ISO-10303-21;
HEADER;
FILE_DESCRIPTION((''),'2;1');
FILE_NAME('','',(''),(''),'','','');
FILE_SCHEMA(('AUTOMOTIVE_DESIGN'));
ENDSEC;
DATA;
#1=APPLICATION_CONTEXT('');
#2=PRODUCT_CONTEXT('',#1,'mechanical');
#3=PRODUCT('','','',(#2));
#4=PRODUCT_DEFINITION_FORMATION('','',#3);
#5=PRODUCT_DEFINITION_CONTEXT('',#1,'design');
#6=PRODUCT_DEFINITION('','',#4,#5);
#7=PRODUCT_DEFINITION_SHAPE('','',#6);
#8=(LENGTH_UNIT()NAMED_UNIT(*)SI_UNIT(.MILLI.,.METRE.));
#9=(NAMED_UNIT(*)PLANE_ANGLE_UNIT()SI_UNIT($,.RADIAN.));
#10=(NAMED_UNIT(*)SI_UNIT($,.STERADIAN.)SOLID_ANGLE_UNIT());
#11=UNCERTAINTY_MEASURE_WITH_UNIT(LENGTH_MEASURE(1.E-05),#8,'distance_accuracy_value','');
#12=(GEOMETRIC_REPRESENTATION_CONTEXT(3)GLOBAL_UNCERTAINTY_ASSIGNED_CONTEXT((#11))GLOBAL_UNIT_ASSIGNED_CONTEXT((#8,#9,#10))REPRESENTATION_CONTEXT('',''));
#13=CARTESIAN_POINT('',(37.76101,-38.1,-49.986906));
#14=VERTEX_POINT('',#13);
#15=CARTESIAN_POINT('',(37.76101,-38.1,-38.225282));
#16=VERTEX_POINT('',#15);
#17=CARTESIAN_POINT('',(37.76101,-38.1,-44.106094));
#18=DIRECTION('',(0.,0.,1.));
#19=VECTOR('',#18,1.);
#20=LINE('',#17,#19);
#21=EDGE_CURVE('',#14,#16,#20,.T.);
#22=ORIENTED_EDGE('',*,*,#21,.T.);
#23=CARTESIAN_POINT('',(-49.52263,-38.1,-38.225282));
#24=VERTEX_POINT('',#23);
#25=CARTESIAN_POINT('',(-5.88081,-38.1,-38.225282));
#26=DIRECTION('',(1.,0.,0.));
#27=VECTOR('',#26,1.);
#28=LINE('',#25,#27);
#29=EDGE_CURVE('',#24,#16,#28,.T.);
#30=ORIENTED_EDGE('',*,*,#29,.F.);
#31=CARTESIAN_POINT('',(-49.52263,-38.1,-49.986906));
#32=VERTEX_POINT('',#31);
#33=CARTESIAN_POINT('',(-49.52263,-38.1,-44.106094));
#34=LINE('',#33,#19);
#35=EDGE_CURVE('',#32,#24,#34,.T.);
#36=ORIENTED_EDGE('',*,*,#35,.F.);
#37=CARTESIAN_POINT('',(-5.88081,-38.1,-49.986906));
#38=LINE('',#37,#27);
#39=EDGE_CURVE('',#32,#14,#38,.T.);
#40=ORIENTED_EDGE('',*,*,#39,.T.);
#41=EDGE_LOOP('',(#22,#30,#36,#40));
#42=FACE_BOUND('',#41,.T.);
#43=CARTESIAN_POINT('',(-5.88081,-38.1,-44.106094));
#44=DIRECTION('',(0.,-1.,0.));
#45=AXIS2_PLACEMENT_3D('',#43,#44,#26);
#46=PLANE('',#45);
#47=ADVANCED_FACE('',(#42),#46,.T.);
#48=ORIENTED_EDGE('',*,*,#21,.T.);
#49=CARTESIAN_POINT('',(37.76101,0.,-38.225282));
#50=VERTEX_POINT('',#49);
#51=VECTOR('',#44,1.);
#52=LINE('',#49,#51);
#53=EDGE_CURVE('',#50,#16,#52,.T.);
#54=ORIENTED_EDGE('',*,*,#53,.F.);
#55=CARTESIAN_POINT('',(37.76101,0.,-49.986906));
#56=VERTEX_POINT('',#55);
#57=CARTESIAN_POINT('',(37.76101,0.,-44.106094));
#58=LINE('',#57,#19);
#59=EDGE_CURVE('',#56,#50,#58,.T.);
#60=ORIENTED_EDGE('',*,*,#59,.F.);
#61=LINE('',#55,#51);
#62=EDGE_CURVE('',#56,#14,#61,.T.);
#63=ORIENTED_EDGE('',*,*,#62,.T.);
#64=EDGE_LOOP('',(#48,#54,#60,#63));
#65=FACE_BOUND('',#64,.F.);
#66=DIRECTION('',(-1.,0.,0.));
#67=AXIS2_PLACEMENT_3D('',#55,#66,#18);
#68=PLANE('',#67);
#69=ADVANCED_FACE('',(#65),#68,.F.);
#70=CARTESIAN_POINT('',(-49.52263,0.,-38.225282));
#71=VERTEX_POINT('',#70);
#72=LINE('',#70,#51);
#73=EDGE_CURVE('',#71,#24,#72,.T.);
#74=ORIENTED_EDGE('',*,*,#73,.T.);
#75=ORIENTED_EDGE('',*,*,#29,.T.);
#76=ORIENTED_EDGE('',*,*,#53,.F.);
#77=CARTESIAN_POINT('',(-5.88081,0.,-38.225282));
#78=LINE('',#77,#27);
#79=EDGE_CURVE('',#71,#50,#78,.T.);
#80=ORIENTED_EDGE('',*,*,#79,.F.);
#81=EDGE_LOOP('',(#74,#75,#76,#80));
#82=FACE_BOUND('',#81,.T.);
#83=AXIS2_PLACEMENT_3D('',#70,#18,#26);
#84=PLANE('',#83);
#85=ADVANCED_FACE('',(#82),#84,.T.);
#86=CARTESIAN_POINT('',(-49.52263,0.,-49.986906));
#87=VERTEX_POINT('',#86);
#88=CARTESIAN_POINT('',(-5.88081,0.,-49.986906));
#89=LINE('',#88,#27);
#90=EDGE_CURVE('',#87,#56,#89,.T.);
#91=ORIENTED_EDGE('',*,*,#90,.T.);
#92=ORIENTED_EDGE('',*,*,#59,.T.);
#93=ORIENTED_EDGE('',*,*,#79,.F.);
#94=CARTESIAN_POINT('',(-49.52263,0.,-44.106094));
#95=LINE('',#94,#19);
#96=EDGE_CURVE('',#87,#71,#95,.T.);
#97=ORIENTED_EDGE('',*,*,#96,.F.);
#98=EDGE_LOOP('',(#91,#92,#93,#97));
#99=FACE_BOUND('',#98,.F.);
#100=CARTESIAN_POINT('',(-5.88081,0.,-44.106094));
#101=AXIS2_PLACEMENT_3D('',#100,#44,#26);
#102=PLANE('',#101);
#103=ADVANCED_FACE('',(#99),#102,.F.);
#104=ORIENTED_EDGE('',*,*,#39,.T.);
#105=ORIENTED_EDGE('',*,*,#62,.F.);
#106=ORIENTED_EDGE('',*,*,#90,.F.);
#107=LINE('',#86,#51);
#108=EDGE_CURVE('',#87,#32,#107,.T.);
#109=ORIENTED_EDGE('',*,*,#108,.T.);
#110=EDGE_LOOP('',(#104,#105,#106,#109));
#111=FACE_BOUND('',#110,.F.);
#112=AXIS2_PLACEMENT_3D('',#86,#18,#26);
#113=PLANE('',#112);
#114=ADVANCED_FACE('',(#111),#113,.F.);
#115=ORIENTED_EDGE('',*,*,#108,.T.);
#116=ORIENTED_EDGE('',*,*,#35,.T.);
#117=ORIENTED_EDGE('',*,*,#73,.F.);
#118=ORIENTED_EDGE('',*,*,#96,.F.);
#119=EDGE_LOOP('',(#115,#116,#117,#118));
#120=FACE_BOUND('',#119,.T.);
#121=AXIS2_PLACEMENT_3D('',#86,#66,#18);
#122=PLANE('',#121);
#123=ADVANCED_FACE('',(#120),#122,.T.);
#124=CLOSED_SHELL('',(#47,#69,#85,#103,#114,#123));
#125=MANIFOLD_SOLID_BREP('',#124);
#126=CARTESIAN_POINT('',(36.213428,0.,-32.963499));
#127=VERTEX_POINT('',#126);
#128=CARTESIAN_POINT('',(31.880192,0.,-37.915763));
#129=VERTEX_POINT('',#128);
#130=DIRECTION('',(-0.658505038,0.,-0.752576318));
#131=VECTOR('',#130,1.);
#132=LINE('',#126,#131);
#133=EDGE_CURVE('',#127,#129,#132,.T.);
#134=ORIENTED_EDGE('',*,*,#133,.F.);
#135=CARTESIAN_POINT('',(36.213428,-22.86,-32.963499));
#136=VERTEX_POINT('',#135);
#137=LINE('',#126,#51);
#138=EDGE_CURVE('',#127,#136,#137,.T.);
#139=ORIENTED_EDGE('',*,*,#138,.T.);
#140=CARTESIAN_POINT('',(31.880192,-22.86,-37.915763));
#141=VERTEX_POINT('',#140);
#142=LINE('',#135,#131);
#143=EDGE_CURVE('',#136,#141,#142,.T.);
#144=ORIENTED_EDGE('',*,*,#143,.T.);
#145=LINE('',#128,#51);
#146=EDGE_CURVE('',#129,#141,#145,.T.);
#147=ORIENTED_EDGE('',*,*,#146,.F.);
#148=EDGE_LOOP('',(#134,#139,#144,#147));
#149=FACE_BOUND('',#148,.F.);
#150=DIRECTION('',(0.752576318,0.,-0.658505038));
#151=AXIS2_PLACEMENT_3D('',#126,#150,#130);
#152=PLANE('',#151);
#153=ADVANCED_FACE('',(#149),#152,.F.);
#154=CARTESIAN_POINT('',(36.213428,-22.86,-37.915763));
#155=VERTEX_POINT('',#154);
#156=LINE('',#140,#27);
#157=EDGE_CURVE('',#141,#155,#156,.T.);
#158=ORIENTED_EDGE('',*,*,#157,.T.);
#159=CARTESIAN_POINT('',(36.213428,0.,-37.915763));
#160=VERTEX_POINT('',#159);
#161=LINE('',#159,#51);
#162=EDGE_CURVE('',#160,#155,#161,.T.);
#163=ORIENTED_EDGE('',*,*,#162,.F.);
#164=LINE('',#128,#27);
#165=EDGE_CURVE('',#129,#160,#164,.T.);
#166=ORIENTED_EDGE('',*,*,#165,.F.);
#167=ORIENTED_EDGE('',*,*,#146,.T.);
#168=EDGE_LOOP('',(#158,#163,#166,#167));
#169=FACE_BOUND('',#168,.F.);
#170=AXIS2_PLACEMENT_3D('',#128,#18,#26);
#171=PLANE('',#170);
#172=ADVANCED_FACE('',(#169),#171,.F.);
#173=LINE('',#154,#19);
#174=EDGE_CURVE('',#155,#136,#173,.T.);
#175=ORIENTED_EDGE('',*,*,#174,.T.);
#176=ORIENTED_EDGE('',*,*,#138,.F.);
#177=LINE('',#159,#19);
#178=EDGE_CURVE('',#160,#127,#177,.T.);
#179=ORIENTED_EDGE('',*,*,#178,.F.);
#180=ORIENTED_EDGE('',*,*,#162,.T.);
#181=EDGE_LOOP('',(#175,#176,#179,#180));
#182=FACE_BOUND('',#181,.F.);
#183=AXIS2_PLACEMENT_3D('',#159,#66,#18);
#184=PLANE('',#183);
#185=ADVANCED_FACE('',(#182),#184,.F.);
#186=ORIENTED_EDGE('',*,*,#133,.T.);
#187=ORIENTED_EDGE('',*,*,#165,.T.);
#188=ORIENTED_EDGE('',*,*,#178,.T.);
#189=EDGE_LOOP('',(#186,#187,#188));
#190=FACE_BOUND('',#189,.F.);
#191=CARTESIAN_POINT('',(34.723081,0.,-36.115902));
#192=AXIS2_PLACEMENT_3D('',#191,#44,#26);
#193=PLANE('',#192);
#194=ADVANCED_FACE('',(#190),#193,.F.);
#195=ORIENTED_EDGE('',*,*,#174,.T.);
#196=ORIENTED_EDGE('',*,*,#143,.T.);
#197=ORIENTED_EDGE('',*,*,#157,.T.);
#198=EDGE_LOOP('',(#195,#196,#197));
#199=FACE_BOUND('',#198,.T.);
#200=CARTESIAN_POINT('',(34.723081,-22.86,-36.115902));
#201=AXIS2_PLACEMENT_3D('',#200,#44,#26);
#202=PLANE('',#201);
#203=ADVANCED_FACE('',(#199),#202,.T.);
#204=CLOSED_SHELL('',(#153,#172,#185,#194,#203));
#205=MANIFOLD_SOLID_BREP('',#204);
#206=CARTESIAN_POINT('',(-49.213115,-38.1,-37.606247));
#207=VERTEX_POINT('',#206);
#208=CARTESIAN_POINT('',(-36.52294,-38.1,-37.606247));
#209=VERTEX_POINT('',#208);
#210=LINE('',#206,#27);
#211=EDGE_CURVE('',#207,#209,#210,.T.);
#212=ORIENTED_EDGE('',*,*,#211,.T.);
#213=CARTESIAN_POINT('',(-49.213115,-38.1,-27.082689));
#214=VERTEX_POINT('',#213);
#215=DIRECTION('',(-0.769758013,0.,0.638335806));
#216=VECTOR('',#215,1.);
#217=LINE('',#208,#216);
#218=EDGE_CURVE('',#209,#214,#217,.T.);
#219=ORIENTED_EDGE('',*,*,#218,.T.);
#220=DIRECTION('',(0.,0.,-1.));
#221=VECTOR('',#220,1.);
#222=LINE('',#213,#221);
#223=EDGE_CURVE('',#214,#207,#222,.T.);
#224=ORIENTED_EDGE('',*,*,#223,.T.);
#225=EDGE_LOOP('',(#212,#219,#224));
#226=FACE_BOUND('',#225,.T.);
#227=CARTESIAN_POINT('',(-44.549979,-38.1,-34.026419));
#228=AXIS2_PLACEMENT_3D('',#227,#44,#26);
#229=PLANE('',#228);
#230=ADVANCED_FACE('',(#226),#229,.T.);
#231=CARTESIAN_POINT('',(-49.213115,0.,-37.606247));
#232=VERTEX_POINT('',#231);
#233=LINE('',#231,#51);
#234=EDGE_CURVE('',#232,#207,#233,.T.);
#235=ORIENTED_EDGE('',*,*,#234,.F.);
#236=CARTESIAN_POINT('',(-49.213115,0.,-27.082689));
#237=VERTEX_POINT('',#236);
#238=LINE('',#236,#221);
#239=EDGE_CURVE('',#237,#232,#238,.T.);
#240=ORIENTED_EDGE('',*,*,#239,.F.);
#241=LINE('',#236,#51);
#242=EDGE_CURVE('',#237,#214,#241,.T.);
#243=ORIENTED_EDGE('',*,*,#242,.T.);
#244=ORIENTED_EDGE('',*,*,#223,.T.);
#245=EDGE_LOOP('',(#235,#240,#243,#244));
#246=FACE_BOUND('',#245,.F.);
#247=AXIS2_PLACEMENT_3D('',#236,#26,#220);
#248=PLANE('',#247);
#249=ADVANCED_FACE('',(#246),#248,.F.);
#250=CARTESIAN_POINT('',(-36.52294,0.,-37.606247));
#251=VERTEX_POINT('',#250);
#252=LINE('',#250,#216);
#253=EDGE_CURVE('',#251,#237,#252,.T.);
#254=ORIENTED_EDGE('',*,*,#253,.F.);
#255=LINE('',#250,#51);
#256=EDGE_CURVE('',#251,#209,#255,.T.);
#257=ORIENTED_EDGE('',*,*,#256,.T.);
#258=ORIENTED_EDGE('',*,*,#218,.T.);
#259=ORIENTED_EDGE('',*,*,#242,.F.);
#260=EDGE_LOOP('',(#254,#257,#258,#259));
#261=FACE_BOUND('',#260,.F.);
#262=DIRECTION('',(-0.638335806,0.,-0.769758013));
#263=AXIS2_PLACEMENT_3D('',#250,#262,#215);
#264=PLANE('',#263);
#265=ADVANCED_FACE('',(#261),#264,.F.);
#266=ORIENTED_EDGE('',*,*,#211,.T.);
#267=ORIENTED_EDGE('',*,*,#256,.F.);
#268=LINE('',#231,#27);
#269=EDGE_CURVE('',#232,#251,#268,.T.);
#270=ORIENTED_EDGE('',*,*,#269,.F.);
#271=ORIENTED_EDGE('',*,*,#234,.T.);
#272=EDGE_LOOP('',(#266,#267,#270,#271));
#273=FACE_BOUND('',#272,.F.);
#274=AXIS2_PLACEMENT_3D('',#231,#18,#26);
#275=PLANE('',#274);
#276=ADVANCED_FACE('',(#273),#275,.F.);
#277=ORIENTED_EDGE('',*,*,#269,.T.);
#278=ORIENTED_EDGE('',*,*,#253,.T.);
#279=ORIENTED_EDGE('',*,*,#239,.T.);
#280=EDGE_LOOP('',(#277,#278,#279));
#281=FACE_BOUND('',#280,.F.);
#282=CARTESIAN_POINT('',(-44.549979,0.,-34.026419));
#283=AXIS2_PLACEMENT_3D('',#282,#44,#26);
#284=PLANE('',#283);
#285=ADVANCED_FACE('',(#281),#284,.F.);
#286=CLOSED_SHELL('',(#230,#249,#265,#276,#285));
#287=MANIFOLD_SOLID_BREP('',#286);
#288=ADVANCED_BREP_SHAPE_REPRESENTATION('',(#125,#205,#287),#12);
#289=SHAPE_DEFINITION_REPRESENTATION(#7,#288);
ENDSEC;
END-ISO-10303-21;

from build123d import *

# Parameters (mm, degrees)
F0_W     = 87.283641
F0_H     = 11.761624
F3_DEPTH = 38.1
F4_DEPTH = 38.1
F5_DEPTH = 22.86


with BuildPart() as f3:
    # F0 (on Front) → F3 (new body)
    with BuildSketch(Plane.XZ):
        with Locations((-5.88081, -44.106094)):
            Rectangle(F0_W, F0_H)
    extrude(amount=F3_DEPTH)


with BuildPart() as f4:
    # F1 (on Front) → F4 (new body)
    with BuildSketch(Plane.XZ):
        Polygon((-36.52294, -37.606247), (-49.213115, -27.082689), (-49.213115, -37.606247), align=None)
    extrude(amount=F4_DEPTH)


with BuildPart() as f5:
    # F2 (on Front) → F5 (new body)
    with BuildSketch(Plane.XZ):
        Polygon((36.213428, -32.963499), (31.880192, -37.915763), (36.213428, -37.915763), align=None)
    extrude(amount=F5_DEPTH)


solid = Compound([f3.part, f4.part, f5.part])
